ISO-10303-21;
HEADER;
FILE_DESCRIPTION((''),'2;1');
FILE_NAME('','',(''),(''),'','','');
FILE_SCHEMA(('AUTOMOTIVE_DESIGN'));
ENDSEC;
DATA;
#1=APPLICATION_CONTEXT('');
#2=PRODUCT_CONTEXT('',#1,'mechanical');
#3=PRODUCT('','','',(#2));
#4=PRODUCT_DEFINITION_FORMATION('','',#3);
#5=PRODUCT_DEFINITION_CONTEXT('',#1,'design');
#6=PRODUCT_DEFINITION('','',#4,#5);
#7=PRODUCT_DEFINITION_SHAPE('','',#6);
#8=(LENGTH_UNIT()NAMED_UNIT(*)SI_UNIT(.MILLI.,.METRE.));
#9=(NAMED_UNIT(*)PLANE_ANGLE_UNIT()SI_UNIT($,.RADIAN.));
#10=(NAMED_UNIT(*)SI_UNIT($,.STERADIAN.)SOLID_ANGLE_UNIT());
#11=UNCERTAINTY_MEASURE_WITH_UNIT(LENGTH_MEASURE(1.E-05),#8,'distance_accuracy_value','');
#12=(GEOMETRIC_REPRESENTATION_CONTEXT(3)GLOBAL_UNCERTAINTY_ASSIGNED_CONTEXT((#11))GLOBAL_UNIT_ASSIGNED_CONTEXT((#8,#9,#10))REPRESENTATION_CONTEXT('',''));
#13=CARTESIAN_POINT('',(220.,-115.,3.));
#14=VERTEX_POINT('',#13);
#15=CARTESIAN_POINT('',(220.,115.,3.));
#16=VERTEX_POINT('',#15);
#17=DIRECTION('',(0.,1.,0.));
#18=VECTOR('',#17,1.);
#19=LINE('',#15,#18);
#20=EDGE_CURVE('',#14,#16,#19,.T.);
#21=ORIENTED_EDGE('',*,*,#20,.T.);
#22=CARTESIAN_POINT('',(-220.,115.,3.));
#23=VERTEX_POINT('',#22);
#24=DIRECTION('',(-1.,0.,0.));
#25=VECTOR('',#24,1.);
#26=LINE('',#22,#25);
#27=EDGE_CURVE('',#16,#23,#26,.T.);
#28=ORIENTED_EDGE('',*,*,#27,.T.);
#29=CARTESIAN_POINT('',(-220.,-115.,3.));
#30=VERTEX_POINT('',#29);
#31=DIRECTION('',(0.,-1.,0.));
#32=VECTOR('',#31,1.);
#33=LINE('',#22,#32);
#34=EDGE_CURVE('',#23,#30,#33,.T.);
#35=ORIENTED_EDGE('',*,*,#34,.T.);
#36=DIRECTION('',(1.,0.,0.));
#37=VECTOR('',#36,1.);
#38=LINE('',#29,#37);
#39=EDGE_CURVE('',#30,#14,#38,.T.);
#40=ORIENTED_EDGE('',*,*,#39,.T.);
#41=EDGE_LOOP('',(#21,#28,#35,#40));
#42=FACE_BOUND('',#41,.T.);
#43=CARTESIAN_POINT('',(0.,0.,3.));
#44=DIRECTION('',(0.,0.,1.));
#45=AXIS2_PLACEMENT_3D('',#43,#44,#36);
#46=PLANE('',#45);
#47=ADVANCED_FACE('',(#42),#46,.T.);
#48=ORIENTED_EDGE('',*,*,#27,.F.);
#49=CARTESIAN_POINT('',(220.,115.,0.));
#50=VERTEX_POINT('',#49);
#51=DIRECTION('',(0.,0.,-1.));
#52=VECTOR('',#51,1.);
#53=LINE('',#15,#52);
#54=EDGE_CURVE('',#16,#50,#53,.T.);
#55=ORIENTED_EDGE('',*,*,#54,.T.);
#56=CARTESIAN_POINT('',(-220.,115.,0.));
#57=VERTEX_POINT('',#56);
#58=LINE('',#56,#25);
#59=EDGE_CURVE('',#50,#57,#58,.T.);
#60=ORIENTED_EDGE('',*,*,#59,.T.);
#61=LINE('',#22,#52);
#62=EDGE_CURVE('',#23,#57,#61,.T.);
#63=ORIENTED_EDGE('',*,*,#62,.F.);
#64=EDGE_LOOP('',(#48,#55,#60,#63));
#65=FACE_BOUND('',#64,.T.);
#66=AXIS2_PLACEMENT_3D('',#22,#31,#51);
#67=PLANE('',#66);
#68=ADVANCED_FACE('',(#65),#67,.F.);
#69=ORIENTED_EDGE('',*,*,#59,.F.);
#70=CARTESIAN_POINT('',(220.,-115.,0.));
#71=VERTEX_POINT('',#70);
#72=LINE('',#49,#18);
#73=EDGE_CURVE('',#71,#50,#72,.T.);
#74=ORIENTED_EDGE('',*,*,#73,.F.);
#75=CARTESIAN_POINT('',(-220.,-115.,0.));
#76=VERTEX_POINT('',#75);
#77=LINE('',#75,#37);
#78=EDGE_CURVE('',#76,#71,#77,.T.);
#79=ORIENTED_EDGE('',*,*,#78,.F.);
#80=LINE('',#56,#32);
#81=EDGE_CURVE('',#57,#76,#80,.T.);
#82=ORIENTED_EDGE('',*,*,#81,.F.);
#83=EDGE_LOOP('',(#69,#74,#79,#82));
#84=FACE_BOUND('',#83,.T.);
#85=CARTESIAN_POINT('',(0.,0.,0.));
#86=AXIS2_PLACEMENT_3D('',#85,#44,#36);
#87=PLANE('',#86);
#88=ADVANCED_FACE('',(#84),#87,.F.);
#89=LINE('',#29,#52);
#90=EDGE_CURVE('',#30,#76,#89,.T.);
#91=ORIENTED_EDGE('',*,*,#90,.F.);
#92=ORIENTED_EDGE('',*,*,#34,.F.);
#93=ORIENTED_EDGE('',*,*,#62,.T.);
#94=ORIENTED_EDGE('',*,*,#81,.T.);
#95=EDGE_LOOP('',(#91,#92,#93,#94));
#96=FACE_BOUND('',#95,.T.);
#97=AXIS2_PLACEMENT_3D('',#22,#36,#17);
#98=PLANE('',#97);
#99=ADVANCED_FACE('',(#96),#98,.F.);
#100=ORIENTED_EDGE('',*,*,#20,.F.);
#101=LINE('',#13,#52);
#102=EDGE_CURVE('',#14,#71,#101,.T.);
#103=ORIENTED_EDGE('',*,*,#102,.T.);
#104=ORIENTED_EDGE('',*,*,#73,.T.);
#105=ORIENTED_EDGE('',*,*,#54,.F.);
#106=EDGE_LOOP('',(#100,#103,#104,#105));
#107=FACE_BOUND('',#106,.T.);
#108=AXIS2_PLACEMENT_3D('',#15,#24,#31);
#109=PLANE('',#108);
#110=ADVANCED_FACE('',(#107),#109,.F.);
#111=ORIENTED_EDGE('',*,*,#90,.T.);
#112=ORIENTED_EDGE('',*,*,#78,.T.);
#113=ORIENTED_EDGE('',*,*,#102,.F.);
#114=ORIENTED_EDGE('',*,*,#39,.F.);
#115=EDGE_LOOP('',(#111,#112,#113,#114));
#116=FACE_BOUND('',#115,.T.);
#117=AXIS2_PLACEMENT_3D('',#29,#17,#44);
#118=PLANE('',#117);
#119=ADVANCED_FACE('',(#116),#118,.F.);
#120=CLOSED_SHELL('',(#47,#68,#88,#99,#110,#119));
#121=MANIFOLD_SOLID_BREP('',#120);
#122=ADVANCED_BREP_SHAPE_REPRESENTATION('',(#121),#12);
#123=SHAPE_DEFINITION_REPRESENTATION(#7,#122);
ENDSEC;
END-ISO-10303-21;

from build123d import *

# Parameters (mm, degrees)
CROQUIS1_W              = 440
CROQUIS1_H              = 230
SALIENTE_EXTRUIR1_DEPTH = 3


with BuildPart() as part:
    # Croquis1 → Saliente-Extruir1 (new body)
    with BuildSketch(Plane.XY):
        Rectangle(CROQUIS1_W, CROQUIS1_H)
    extrude(amount=SALIENTE_EXTRUIR1_DEPTH)


solid = part.part
